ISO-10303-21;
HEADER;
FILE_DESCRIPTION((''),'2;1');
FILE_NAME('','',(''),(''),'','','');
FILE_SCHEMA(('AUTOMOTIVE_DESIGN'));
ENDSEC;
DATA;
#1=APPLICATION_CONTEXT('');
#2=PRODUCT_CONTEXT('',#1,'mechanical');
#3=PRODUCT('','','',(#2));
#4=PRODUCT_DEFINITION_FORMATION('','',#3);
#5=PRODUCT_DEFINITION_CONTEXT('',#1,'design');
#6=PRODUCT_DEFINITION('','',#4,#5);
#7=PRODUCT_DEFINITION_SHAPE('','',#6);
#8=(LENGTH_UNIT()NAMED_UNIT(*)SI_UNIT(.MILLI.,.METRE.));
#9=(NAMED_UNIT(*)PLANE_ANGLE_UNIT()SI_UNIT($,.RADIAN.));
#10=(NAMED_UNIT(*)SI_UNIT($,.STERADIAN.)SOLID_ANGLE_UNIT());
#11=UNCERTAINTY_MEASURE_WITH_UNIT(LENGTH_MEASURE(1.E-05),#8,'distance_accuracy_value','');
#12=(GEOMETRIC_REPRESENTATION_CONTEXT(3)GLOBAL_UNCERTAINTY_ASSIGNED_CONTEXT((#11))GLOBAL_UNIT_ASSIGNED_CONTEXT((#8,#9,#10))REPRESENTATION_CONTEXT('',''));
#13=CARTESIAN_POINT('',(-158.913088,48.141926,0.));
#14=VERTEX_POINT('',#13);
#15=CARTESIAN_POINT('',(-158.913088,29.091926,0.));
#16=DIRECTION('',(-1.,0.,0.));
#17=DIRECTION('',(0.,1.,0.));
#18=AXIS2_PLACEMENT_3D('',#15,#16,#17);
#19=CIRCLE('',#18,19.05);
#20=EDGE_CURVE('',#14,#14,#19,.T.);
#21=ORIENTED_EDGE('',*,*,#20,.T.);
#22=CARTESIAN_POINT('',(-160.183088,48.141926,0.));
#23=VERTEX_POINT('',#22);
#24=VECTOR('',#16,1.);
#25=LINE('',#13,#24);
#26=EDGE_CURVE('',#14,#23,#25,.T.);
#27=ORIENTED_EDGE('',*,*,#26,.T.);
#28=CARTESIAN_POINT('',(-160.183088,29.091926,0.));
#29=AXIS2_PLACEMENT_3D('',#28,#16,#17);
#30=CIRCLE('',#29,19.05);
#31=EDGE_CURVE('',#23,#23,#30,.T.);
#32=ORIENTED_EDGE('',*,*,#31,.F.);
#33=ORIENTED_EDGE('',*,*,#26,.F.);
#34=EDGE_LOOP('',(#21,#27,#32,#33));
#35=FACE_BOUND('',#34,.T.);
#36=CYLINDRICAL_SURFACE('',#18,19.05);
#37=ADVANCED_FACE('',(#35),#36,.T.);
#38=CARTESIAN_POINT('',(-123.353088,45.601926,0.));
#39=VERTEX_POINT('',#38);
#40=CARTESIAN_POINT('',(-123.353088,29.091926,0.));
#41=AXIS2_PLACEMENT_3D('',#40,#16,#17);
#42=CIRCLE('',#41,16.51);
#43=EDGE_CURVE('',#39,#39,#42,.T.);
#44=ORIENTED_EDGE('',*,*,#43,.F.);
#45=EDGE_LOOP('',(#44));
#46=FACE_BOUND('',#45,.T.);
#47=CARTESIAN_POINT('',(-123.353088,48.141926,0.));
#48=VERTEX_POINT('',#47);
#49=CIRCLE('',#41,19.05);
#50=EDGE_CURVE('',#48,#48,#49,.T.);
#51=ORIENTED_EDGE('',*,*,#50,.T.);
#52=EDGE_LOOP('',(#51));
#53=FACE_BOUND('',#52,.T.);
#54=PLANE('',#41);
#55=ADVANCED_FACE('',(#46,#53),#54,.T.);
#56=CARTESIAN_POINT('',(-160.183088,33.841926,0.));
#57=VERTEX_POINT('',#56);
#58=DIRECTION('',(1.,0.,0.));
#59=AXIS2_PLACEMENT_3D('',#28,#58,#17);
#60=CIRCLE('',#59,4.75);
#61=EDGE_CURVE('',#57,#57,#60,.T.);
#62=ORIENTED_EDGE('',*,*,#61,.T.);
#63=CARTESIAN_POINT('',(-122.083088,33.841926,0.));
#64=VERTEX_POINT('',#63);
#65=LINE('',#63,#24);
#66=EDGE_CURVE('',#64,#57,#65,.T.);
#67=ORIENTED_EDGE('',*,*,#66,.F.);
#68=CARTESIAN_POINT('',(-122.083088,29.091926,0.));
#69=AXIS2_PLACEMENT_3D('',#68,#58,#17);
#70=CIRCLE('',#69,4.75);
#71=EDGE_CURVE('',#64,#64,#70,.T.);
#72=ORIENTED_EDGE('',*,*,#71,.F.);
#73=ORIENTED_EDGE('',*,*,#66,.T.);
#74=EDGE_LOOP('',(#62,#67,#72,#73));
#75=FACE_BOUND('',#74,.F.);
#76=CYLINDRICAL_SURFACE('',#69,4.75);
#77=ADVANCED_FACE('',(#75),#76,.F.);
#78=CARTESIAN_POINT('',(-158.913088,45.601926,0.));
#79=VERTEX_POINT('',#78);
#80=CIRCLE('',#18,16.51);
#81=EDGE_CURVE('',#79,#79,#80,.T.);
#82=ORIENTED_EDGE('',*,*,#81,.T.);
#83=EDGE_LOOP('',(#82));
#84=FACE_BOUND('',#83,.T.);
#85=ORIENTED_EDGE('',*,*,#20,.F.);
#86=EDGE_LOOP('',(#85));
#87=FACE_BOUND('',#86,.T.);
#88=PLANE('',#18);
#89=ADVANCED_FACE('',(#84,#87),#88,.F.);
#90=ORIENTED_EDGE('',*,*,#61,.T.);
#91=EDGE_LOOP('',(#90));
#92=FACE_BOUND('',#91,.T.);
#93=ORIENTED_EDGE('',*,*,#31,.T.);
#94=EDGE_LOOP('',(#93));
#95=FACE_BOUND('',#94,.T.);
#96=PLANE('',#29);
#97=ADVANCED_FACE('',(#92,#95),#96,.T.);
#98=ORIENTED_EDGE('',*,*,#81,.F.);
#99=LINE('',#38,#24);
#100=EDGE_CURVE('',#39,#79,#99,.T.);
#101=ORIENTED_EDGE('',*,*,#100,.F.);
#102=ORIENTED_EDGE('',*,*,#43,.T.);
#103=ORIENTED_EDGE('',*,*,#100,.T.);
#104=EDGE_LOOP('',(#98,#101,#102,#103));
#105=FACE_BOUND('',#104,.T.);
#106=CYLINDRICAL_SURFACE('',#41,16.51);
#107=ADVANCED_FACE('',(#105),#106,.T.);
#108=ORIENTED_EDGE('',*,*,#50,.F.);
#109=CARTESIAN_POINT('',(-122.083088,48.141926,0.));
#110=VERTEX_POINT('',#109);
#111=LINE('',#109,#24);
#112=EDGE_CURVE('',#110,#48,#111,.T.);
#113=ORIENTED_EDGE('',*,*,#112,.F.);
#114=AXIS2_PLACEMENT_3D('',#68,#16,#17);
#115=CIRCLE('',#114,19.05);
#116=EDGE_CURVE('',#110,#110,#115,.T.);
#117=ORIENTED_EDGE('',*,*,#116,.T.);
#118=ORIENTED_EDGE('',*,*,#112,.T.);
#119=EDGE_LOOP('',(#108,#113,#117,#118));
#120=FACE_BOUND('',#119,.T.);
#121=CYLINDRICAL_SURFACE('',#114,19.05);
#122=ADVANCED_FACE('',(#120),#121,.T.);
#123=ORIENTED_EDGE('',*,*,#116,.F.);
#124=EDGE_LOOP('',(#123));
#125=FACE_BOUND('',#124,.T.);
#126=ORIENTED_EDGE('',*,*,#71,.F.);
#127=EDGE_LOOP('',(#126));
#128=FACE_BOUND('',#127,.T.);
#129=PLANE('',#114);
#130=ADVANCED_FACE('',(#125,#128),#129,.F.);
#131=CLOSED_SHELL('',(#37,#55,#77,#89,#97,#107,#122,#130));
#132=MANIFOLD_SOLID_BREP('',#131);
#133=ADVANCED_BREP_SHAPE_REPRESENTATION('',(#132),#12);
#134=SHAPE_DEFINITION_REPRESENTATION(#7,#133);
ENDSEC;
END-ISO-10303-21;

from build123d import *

# Parameters (mm, degrees)
F2_R     = 4.75
F3_DEPTH = 38.1


with BuildPart() as f1:
    # F0 (on Top) → F1 (revolve)
    with BuildSketch(Plane.XY):
        Polygon((-160.183088, 29.091926), (-122.083088, 29.091926), (-122.083088, 48.141926), (-123.353088, 48.141926), (-123.353088, 45.601926), (-158.913088, 45.601926), (-158.913088, 48.141926), (-160.183088, 48.141926), align=None)
    revolve(axis=Axis((-141.133088, 29.091926, 0), (-1, 0, 0)))

    # F2 (on face) → F3 (cut)
    with BuildSketch(Plane.YZ.offset(-122.083088)):
        with Locations((29.091926, 0)):
            Circle(F2_R)
    extrude(amount=-F3_DEPTH, mode=Mode.SUBTRACT)


solid = f1.part
